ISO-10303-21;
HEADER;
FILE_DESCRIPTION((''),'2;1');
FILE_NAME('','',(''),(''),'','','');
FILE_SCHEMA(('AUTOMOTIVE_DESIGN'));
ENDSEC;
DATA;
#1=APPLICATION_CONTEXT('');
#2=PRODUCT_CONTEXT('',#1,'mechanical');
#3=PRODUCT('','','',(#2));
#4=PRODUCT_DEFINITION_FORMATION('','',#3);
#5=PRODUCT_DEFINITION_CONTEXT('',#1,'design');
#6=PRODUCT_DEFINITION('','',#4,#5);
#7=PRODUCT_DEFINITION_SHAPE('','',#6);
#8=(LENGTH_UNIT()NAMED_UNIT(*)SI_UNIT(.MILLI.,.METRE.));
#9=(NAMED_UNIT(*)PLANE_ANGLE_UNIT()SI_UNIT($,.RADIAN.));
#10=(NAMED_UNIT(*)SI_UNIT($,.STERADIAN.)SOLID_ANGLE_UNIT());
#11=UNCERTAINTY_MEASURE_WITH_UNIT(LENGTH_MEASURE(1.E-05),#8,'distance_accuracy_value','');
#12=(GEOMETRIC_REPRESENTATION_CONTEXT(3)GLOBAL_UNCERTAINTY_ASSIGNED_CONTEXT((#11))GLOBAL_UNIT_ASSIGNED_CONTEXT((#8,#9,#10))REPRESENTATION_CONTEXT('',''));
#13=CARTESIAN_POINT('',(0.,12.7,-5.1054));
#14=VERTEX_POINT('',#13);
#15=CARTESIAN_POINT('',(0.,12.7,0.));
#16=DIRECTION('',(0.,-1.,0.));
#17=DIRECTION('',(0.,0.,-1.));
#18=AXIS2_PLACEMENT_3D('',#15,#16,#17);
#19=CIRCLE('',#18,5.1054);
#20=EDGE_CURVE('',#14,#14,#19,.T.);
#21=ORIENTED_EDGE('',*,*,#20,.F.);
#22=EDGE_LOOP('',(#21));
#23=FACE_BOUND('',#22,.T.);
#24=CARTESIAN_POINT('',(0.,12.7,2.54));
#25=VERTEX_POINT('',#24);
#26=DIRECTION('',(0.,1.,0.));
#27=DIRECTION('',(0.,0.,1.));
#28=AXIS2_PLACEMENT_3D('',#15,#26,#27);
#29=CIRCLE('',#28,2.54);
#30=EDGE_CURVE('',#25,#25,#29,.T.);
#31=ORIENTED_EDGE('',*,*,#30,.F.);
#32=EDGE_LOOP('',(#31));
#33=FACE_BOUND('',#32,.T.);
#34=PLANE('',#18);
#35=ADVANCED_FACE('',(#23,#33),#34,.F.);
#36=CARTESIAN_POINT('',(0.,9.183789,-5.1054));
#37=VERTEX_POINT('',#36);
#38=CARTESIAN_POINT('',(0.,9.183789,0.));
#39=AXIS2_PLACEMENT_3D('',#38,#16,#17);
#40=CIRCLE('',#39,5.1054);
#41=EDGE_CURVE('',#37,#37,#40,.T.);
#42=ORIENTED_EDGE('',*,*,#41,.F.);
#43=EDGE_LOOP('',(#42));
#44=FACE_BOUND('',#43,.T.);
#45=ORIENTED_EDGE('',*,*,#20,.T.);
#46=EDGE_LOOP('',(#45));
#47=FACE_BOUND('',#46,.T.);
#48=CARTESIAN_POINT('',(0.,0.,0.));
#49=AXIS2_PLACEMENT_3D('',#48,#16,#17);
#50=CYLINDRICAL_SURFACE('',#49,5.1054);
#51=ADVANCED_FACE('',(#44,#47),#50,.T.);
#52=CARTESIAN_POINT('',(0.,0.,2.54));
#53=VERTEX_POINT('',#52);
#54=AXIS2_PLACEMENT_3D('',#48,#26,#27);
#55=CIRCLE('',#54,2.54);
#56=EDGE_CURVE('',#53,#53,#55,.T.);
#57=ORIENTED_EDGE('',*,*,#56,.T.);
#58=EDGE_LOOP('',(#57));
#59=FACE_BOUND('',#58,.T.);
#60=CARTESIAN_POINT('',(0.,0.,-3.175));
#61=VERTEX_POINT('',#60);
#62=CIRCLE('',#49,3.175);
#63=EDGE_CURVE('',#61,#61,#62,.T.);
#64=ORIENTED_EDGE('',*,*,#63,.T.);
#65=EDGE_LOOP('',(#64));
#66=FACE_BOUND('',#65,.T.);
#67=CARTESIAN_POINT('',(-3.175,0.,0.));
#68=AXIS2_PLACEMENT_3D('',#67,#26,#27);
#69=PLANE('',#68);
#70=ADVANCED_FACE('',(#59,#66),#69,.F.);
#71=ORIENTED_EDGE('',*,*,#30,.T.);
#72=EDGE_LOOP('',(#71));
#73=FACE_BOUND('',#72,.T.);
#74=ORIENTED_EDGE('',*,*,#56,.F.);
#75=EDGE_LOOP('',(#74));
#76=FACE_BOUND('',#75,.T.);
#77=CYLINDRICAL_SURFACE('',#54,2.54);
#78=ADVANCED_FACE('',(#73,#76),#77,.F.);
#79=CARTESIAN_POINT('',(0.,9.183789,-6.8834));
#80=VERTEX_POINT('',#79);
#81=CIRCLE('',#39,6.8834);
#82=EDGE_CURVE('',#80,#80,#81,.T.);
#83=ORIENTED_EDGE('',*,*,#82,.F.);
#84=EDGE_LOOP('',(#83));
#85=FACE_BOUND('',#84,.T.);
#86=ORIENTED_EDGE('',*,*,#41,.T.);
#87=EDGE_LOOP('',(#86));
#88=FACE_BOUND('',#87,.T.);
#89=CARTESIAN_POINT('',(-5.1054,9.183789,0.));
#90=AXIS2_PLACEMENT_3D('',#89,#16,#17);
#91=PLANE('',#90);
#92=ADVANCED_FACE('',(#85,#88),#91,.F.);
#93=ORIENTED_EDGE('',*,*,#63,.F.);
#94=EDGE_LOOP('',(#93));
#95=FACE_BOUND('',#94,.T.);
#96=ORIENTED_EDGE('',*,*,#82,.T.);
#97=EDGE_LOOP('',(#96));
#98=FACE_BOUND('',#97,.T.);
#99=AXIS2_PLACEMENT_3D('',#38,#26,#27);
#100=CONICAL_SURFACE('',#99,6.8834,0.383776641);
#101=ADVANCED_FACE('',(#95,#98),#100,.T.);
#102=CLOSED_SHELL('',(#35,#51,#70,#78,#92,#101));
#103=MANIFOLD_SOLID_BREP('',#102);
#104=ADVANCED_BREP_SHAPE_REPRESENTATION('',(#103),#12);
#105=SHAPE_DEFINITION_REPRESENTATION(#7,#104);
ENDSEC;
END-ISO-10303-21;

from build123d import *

# Parameters (mm, degrees)
SKETCH_362_R       = 2.54
CUT_EXTRUDE4_DEPTH = 12.7


with BuildPart() as part:
    # Sketch1 → Revolve1 (revolve)
    with BuildSketch(Plane.XY, mode=Mode.PRIVATE) as revolve1_sk:
        Polygon((0, 0), (0, 12.7), (-5.1054, 12.7), (-5.1054, 9.183788707), (-6.8834, 9.183788707), (-3.175, 0), align=None)
    revolve(revolve1_sk.sketch.rotate(Axis((0, 0, 0), (0, 1, 0)), 270), axis=Axis((0, 0, 0), (0, 1, 0)))

    # Sketch 362 → Cut-Extrude4 (cut)
    with BuildSketch(Plane(origin=(0, 12.7, 0), x_dir=(1, 0, 0), z_dir=(0, 1, 0))):
        with Locations(Location((0, 0, 0), (0, 0, 270))):
            Circle(SKETCH_362_R)
    extrude(amount=-CUT_EXTRUDE4_DEPTH, mode=Mode.SUBTRACT)


solid = part.part
